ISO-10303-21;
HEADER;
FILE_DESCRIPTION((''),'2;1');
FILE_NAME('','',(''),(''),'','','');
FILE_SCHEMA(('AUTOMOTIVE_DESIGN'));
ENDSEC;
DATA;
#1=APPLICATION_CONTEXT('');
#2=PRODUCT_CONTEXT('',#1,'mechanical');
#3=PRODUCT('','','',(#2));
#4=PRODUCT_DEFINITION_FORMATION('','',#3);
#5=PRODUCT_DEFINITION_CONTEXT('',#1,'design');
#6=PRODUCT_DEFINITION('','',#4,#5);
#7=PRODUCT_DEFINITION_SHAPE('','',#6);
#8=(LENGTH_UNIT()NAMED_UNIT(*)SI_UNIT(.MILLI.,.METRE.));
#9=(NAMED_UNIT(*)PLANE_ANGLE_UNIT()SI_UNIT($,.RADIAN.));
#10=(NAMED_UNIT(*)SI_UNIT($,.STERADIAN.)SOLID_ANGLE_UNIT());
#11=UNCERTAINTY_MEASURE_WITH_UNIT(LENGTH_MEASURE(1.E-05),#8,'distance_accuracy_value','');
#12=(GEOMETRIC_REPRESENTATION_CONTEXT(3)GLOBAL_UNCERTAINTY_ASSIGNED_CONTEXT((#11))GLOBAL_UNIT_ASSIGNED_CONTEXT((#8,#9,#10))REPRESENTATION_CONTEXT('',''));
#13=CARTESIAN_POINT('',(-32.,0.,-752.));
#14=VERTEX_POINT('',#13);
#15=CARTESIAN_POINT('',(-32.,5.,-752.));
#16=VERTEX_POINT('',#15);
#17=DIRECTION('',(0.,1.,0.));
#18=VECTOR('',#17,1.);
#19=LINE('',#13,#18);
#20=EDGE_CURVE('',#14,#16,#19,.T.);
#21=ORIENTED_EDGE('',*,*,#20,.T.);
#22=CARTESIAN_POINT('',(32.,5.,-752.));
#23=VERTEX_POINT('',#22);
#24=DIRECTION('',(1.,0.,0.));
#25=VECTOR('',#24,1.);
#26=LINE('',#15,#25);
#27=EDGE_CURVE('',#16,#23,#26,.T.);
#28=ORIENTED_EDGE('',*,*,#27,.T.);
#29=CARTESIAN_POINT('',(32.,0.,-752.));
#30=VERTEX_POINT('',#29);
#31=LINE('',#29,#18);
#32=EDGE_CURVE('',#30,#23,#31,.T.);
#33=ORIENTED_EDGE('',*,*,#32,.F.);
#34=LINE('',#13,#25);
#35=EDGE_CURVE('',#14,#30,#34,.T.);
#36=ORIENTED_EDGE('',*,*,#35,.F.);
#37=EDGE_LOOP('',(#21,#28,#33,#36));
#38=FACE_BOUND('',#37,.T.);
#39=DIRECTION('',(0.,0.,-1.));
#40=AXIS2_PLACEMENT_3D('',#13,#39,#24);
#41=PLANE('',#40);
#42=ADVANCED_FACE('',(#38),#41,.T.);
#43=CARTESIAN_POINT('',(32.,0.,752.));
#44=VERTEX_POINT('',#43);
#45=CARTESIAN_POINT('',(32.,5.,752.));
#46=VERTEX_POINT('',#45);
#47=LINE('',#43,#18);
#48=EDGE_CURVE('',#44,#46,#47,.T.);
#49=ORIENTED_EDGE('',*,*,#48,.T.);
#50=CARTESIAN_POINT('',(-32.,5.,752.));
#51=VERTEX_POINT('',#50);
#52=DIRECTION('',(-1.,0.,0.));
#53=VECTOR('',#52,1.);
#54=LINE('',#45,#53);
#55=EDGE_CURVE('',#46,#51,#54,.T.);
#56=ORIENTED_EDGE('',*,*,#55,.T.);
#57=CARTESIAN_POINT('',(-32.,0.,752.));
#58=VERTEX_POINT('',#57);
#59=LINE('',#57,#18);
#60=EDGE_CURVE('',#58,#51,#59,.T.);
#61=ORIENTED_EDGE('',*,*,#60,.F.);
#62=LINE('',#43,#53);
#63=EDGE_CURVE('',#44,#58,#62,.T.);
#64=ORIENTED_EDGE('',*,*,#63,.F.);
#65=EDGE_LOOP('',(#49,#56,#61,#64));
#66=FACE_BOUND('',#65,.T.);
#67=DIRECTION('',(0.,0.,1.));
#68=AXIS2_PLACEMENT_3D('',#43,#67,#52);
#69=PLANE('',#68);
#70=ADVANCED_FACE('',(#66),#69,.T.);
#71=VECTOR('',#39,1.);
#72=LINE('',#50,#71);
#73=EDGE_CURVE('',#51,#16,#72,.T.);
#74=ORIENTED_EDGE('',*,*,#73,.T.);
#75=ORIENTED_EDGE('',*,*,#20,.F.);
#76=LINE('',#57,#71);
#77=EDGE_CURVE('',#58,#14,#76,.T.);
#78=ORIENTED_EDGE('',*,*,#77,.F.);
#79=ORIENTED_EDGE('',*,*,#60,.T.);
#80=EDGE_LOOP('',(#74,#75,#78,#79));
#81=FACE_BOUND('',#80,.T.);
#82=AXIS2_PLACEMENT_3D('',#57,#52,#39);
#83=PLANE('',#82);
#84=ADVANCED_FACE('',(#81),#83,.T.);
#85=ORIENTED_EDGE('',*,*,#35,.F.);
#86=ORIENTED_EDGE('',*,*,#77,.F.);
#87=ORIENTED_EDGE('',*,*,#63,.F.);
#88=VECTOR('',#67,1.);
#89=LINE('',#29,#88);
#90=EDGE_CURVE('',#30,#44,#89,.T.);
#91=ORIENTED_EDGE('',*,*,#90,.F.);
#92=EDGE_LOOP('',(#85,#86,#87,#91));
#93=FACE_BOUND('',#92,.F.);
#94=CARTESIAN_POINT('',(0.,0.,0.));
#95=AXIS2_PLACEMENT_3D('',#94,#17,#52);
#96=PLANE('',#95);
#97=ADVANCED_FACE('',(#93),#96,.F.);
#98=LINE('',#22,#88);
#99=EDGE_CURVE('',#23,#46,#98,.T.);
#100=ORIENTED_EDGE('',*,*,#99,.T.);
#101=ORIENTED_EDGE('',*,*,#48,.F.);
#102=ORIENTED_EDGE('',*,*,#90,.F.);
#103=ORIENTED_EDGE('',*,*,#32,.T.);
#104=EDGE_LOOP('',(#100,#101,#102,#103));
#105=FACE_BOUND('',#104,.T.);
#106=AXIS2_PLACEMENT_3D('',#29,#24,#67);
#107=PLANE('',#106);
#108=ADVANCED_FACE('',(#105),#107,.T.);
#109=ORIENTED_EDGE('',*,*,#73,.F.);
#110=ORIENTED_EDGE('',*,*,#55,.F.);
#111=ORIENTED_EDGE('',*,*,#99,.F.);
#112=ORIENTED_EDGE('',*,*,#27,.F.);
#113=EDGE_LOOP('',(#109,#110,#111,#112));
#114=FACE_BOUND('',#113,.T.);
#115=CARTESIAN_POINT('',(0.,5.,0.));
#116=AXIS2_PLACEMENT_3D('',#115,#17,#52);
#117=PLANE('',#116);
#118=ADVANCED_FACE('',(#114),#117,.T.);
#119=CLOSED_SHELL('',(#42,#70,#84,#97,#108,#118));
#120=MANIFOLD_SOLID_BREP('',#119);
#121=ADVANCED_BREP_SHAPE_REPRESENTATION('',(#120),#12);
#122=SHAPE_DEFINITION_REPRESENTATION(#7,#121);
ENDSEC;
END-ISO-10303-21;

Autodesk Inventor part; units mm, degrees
ref_plane "YZ Plane" through (0, 0, 0) normal (1, 0, 0) x (0, 1, 0)
ref_plane "XZ Plane" through (0, 0, 0) normal (0, 1, 0) x (-1, 0, 0)
ref_plane "XY Plane" through (0, 0, 0) normal (0, 0, 1) x (1, 0, 0)
sketch "Эскиз1" plane through (0, 0, 0) normal (0, 1, 0) x (-1, 0, 0)
  line L0 (-32, 752) -> (32, 752)
  line L1 (32, 752) -> (32, -752)
  line L2 (32, -752) -> (-32, -752)
  line L3 (-32, -752) -> (-32, 752)
  line L4 (-32, 752) -> (32, -752) construction
  line L5 (32, 752) -> (-32, -752) construction
  point P0 (0, 0)
  dimension "d0" = 64
  dimension "d1" = 1504
extrude "Пластина1" add sketch "Эскиз1" along normal blind 5
equation "\"d2\" = Толщина"
equation "\"Радиус_гибки\" = Толщина"
equation "\"Ширина_просечки\" = Толщина"
equation "\"Глубина_просечки\" = 0.5 * Толщина"
equation "\"Радиус_перехода\" = Радиус_гибки"
equation "\"Радиус_Якоби\" = Радиус_гибки"
equation "\"Размер_зазора\" = Толщина"
equation "\"Толщина\" = 5"
properties part number "0923_CPY" material "Steel"
